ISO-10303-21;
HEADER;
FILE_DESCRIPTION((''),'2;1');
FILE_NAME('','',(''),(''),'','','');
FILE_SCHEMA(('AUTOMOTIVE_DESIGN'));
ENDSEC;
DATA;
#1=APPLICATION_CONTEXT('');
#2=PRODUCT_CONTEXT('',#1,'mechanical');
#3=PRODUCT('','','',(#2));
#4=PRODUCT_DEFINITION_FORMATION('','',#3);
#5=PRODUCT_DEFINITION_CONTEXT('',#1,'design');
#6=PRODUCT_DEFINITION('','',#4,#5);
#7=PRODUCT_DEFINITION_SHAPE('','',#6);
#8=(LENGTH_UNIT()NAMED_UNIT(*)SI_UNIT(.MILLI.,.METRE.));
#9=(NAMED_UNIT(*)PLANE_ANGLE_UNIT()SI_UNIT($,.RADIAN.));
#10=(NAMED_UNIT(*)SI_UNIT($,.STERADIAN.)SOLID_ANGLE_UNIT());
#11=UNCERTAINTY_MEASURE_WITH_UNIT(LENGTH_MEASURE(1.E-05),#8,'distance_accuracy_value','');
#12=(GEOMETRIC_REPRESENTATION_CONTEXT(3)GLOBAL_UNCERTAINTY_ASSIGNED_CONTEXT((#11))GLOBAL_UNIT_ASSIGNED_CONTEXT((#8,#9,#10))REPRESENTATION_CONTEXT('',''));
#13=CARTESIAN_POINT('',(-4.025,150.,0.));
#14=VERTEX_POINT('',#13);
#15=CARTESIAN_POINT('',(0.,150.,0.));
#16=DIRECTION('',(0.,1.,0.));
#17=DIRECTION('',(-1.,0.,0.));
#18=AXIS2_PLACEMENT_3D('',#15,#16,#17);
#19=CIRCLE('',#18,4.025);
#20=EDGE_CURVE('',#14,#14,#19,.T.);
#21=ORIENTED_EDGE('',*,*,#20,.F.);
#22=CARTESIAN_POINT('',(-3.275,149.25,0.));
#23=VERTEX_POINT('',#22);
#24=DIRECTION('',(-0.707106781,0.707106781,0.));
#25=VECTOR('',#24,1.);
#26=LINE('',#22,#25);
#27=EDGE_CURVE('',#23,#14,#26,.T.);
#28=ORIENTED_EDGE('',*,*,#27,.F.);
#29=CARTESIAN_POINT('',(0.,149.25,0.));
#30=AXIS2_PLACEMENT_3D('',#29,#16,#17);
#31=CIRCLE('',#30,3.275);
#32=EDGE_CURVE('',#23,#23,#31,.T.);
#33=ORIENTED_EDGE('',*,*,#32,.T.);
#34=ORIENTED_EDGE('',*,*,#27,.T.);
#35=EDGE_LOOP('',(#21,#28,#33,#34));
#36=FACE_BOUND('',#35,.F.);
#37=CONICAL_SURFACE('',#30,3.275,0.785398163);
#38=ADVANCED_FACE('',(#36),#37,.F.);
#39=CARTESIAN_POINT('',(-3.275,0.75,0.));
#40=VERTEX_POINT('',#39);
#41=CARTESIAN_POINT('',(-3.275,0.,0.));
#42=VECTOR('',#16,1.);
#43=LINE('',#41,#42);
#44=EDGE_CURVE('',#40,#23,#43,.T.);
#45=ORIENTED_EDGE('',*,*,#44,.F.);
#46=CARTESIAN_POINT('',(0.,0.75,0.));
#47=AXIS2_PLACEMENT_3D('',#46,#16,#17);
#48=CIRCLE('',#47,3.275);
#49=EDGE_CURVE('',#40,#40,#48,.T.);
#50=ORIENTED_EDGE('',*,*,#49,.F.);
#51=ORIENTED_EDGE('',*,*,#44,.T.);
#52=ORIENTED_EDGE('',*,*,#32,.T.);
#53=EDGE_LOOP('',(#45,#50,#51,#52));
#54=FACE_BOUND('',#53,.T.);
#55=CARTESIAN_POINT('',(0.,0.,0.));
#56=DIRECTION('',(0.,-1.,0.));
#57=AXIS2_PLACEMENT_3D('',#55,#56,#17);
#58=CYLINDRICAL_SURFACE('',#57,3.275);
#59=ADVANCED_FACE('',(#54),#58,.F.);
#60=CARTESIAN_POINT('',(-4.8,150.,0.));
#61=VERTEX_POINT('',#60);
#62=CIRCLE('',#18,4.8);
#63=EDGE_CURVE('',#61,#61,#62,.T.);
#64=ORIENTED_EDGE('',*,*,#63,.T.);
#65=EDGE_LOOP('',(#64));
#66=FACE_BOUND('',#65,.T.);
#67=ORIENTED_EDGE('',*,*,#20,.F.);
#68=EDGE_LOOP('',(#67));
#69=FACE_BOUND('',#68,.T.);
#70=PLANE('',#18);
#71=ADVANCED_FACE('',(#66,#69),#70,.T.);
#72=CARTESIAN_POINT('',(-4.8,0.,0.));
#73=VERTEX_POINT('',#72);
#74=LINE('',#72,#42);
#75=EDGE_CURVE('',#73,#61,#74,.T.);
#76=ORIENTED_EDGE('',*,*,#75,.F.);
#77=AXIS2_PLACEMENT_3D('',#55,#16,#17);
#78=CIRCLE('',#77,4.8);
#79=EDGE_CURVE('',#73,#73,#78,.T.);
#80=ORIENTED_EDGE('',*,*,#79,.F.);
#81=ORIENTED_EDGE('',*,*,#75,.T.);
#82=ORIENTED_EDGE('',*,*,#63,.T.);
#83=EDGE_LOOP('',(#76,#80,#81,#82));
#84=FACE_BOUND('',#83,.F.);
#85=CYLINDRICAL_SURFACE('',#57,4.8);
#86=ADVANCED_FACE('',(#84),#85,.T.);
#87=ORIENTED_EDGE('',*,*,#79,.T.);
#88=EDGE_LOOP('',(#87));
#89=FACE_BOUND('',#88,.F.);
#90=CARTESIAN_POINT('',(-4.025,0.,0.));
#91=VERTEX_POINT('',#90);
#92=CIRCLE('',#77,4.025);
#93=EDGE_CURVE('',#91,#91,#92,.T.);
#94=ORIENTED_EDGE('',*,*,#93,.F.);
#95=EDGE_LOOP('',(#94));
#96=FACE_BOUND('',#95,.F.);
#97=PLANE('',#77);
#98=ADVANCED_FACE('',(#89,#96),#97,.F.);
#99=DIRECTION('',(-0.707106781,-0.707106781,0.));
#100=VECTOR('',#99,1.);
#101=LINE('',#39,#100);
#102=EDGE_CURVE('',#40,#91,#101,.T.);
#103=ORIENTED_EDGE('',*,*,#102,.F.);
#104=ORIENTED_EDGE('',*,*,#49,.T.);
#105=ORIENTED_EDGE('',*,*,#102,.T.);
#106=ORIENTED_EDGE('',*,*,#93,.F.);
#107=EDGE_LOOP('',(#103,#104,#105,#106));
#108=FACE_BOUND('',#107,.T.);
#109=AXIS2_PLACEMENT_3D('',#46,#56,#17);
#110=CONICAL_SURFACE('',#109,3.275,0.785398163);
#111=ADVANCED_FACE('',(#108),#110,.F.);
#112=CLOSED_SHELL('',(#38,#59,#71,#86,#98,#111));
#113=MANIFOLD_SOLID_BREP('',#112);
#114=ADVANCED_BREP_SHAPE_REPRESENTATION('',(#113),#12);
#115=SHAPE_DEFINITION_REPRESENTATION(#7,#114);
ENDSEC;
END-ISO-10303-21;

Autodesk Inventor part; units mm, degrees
ref_plane "YZ Plane" through (0, 0, 0) normal (1, 0, 0) x (0, 1, 0)
ref_plane "XZ Plane" through (0, 0, 0) normal (0, 1, 0) x (-1, 0, 0)
ref_plane "XY Plane" through (0, 0, 0) normal (0, 0, 1) x (1, 0, 0)
sketch "Sketch1" plane through (0, 0, 0) normal (0, 1, 0) x (-1, 0, 0)
  circle A0 centre (0, 0) radius 3.275
  circle A1 centre (0, 0) radius 4.8
  dimension "d0" = 6.55
  dimension "d1" = 9.6
extrude "Extrusion1" add sketch "Sketch1" along normal blind 150
chamfer "Chamfer1" distance 0.75 angle 45 2 edges at (3.275, 150, 0) (3.275, 0, 0)
properties part number "Rod 3-8in Shortened"
